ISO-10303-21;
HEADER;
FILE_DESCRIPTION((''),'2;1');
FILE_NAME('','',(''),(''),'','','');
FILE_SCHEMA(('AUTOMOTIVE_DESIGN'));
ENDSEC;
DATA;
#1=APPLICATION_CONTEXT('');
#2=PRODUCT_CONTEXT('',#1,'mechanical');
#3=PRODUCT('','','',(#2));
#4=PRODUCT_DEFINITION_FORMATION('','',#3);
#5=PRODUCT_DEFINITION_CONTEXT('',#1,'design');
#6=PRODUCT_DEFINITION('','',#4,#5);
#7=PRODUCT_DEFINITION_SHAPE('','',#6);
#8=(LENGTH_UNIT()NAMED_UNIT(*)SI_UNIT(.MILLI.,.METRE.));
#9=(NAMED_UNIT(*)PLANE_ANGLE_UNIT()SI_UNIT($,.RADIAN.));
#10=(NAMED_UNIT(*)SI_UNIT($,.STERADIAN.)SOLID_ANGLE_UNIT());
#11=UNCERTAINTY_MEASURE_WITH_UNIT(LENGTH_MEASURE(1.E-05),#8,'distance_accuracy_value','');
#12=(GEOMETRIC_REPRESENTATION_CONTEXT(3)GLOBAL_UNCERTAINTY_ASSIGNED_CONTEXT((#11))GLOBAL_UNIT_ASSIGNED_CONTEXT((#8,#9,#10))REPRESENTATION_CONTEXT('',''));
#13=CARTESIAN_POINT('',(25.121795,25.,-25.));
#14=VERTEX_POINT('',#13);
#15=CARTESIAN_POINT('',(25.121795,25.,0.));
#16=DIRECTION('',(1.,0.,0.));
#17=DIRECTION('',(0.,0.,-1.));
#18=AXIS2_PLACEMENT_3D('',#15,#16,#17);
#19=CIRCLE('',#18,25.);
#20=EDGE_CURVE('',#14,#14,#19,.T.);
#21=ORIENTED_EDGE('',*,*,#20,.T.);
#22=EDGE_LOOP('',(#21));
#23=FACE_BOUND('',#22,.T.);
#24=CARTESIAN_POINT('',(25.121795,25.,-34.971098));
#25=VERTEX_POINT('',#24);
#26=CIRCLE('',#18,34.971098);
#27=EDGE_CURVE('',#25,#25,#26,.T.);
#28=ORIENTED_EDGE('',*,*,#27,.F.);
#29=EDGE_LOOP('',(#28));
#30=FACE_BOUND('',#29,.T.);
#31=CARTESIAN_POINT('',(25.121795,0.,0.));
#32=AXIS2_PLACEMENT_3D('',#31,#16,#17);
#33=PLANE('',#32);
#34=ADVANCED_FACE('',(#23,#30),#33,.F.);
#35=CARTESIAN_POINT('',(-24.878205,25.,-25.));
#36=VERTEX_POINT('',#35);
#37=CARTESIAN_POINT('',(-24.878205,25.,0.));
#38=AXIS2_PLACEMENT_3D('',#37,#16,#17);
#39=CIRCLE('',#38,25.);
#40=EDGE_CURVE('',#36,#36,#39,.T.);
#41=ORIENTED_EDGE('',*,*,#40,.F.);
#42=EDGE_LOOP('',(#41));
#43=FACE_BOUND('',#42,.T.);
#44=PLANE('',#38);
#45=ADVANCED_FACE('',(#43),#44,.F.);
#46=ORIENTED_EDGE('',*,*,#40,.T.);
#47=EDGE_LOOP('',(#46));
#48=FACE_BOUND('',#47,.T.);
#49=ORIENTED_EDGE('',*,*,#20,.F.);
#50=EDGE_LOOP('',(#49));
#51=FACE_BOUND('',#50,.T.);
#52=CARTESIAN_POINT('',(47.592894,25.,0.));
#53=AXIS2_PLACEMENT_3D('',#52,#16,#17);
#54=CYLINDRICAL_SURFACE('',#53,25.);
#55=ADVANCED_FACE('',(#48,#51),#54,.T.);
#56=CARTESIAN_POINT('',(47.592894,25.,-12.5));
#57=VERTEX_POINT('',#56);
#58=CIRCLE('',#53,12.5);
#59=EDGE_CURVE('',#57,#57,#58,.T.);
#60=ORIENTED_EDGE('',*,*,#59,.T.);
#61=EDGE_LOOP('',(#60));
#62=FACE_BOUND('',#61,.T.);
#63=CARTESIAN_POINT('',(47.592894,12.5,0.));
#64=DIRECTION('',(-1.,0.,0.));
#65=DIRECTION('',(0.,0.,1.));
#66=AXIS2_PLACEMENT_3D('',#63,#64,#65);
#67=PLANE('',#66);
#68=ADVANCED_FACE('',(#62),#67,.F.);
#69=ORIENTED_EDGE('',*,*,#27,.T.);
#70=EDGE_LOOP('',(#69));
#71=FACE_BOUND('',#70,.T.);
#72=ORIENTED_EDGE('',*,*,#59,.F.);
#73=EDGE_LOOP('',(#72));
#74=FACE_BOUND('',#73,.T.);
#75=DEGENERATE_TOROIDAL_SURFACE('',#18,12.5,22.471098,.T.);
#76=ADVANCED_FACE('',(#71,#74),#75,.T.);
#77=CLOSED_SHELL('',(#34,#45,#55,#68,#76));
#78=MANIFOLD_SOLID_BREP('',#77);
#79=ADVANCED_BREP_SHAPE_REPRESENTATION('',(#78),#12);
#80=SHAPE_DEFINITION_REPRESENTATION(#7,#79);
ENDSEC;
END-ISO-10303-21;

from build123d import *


with BuildPart() as part:
    # Sketch1 → Revolve1 (revolve)
    with BuildSketch(Plane.XY, mode=Mode.PRIVATE) as revolve1_sk:
        with BuildLine():
            Line((-24.878204537, 0), (25.121795463, 0))
            Line((25.121795463, 0), (25.121795463, -9.971098266))
            ThreePointArc((25.121795463, -9.971098266), (41.011261427, -3.389465965), (47.592893729, 12.5))
            Line((47.592893729, 12.5), (47.592893729, 25))
            Line((47.592893729, 25), (35.092893729, 25))
            Line((35.092893729, 25), (-24.878204537, 25))
            Line((-24.878204537, 25), (-24.878204537, 0))
        make_face()
    revolve(revolve1_sk.sketch.rotate(Axis((47.592893729, 25, 0), (-1, 0, 0)), 270), axis=Axis((47.592893729, 25, 0), (-1, 0, 0)))


solid = part.part
